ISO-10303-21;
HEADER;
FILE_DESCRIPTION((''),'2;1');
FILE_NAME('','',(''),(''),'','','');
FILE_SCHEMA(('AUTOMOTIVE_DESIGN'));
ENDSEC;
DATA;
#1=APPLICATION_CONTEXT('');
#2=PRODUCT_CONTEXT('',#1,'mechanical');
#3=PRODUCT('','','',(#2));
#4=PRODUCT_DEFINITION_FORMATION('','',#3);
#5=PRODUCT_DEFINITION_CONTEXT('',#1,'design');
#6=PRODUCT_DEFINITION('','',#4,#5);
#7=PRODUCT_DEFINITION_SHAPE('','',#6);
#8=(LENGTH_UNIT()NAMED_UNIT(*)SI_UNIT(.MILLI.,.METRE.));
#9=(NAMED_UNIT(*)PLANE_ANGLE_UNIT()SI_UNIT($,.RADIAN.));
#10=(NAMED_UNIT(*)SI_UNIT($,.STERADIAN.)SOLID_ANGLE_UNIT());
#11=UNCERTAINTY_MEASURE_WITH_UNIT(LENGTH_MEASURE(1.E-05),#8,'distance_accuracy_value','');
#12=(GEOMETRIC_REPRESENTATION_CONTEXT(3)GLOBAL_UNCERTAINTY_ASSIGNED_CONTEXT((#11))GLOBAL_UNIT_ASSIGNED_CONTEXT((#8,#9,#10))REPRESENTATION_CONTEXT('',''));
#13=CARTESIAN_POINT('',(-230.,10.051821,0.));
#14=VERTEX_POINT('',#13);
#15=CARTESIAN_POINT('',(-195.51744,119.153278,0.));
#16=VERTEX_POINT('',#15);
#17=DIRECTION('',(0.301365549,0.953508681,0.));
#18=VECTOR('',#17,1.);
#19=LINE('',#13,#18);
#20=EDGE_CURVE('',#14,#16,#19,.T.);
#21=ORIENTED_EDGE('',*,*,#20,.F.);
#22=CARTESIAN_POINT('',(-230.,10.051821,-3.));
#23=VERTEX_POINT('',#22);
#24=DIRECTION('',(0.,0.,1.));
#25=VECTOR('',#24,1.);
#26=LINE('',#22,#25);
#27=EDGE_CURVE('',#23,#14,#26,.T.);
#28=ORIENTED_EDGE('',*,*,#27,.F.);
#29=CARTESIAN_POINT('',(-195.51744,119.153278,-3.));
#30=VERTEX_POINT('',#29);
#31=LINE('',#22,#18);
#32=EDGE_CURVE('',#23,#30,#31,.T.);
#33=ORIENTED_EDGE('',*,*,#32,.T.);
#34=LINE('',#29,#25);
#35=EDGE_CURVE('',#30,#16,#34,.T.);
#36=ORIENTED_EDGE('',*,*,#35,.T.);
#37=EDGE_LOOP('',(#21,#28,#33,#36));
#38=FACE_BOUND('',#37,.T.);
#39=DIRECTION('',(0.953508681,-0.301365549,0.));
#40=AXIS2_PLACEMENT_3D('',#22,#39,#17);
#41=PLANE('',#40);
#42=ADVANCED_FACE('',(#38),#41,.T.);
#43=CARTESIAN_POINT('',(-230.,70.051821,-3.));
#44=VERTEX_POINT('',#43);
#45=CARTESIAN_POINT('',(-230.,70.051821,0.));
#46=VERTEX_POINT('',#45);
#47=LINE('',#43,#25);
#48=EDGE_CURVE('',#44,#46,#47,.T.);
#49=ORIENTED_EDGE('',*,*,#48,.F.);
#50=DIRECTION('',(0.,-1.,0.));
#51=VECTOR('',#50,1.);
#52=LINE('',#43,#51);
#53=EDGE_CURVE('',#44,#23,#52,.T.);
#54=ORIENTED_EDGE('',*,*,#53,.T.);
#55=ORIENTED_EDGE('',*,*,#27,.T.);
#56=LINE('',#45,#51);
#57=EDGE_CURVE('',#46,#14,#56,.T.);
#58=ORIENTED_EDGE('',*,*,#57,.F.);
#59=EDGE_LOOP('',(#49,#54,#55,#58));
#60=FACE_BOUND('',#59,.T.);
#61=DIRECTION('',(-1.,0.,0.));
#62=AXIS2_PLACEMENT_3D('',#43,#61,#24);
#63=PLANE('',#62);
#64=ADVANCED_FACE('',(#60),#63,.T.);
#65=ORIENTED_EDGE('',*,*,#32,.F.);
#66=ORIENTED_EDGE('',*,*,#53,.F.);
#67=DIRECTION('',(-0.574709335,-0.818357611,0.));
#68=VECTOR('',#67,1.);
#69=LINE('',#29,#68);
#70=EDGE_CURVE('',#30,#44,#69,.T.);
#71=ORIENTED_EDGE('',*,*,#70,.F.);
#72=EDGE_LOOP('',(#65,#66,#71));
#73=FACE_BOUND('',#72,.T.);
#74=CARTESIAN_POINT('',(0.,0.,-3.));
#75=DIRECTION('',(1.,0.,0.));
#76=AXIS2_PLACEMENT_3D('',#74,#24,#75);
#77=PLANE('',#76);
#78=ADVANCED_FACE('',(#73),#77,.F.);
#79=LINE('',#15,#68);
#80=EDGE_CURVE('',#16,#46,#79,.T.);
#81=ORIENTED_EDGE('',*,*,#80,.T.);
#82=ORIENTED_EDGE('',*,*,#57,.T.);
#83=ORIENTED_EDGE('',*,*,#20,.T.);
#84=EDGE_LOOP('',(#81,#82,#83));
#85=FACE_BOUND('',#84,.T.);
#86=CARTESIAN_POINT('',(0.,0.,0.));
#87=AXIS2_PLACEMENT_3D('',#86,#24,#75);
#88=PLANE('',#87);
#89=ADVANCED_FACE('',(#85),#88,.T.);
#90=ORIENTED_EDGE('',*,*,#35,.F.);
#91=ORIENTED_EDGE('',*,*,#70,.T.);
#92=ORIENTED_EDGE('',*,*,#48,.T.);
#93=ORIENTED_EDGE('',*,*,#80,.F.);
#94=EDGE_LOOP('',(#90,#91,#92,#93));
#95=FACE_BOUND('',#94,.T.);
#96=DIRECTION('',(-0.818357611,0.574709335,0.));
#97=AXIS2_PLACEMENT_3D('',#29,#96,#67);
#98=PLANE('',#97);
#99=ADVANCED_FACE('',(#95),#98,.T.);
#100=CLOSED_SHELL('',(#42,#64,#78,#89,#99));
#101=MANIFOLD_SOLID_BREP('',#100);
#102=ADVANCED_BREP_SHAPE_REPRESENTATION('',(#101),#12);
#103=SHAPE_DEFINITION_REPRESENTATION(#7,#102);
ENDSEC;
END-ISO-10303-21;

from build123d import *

# Parameters (mm, degrees)
BOSS_EXTRU_1_DEPTH = 3


with BuildPart() as part:
    # Esquisse1 → Boss.-Extru.1 (new body)
    with BuildSketch(Plane.XY):
        Polygon((-195.517439878, 119.153277946), (-230, 70.051821272), (-230, 10.051821272), align=None)
    extrude(amount=-BOSS_EXTRU_1_DEPTH)


solid = part.part
